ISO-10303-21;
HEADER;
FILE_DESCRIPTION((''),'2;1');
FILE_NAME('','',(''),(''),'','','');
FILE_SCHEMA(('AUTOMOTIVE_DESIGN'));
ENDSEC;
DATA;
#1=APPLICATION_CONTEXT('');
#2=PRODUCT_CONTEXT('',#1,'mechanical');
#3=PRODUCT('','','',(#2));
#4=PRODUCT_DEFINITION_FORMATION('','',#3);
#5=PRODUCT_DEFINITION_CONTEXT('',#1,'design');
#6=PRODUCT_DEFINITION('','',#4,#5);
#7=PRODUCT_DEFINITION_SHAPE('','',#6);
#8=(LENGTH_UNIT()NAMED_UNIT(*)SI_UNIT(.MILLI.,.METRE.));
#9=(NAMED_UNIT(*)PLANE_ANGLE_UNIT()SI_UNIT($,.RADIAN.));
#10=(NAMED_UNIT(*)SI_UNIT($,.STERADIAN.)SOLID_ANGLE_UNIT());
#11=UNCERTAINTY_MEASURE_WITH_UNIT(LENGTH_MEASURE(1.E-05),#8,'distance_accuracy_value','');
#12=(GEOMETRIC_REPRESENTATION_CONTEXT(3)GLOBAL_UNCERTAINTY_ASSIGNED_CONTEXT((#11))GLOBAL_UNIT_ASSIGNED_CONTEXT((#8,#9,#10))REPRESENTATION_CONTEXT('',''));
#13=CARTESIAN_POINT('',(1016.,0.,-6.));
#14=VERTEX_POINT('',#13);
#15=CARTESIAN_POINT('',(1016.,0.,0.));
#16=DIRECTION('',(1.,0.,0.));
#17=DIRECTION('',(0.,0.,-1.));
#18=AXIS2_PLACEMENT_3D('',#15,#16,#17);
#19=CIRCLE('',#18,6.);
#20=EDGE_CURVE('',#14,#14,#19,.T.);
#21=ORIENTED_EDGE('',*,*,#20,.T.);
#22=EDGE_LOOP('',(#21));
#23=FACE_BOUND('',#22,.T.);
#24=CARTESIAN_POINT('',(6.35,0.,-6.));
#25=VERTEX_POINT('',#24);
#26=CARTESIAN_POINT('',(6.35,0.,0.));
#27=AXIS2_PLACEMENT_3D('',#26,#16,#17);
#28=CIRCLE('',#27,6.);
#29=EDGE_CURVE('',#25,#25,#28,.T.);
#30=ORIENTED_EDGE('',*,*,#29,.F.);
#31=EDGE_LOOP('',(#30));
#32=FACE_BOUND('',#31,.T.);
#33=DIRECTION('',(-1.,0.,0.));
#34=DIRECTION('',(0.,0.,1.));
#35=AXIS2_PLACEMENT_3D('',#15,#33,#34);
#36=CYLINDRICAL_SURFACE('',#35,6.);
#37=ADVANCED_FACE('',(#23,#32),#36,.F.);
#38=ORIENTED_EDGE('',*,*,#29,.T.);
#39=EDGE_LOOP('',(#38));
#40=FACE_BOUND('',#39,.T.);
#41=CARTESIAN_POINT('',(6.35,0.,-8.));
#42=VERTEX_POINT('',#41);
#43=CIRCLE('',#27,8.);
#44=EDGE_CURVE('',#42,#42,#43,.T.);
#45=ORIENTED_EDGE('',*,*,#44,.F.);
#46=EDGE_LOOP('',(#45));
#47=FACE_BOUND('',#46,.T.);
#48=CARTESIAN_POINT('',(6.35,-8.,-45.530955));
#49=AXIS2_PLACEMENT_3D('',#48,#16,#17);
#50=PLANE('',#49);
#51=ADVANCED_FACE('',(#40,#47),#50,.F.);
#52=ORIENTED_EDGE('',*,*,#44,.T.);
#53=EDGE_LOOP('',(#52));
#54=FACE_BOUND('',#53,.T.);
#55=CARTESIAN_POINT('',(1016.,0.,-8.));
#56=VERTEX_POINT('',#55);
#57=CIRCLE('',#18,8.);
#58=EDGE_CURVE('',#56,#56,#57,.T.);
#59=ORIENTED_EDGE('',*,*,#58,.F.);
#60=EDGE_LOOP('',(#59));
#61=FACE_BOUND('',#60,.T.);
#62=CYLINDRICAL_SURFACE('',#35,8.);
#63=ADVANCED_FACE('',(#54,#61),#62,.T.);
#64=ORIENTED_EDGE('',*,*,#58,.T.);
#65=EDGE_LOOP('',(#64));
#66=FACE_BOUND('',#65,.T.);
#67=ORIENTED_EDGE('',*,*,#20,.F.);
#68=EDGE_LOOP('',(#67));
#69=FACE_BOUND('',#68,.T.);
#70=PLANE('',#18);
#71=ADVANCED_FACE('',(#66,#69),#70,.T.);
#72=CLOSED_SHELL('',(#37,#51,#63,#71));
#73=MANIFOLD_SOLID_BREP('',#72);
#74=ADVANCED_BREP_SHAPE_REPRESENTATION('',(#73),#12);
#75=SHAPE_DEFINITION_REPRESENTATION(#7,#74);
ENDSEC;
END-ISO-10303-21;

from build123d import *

# Parameters (mm, degrees)
SKETCH2_R           = 8
SKETCH2_R_2         = 6
BOSS_EXTRUDE1_DEPTH = 1016
SKETCH3_W           = 6.35
SKETCH3_H           = 95.207020631
CUT_EXTRUDE1_DEPTH  = 17


with BuildPart() as part:
    # Sketch2 → Boss-Extrude1 (new body)
    with BuildSketch(Plane(origin=(0, 0, 0), x_dir=(0, 0, -1), z_dir=(1, 0, 0))):
        Circle(SKETCH2_R)
        Circle(SKETCH2_R_2, mode=Mode.SUBTRACT)
    extrude(amount=BOSS_EXTRUDE1_DEPTH)

    # Sketch3 → Cut-Extrude1 (cut, through all)
    with BuildSketch(Plane(origin=(0, 8, 0), x_dir=(1, 0, 0), z_dir=(0, 1, 0))):
        with Locations((3.175, -2.072554833)):
            Rectangle(SKETCH3_W, SKETCH3_H)
    extrude(amount=-CUT_EXTRUDE1_DEPTH, mode=Mode.SUBTRACT)


solid = part.part
